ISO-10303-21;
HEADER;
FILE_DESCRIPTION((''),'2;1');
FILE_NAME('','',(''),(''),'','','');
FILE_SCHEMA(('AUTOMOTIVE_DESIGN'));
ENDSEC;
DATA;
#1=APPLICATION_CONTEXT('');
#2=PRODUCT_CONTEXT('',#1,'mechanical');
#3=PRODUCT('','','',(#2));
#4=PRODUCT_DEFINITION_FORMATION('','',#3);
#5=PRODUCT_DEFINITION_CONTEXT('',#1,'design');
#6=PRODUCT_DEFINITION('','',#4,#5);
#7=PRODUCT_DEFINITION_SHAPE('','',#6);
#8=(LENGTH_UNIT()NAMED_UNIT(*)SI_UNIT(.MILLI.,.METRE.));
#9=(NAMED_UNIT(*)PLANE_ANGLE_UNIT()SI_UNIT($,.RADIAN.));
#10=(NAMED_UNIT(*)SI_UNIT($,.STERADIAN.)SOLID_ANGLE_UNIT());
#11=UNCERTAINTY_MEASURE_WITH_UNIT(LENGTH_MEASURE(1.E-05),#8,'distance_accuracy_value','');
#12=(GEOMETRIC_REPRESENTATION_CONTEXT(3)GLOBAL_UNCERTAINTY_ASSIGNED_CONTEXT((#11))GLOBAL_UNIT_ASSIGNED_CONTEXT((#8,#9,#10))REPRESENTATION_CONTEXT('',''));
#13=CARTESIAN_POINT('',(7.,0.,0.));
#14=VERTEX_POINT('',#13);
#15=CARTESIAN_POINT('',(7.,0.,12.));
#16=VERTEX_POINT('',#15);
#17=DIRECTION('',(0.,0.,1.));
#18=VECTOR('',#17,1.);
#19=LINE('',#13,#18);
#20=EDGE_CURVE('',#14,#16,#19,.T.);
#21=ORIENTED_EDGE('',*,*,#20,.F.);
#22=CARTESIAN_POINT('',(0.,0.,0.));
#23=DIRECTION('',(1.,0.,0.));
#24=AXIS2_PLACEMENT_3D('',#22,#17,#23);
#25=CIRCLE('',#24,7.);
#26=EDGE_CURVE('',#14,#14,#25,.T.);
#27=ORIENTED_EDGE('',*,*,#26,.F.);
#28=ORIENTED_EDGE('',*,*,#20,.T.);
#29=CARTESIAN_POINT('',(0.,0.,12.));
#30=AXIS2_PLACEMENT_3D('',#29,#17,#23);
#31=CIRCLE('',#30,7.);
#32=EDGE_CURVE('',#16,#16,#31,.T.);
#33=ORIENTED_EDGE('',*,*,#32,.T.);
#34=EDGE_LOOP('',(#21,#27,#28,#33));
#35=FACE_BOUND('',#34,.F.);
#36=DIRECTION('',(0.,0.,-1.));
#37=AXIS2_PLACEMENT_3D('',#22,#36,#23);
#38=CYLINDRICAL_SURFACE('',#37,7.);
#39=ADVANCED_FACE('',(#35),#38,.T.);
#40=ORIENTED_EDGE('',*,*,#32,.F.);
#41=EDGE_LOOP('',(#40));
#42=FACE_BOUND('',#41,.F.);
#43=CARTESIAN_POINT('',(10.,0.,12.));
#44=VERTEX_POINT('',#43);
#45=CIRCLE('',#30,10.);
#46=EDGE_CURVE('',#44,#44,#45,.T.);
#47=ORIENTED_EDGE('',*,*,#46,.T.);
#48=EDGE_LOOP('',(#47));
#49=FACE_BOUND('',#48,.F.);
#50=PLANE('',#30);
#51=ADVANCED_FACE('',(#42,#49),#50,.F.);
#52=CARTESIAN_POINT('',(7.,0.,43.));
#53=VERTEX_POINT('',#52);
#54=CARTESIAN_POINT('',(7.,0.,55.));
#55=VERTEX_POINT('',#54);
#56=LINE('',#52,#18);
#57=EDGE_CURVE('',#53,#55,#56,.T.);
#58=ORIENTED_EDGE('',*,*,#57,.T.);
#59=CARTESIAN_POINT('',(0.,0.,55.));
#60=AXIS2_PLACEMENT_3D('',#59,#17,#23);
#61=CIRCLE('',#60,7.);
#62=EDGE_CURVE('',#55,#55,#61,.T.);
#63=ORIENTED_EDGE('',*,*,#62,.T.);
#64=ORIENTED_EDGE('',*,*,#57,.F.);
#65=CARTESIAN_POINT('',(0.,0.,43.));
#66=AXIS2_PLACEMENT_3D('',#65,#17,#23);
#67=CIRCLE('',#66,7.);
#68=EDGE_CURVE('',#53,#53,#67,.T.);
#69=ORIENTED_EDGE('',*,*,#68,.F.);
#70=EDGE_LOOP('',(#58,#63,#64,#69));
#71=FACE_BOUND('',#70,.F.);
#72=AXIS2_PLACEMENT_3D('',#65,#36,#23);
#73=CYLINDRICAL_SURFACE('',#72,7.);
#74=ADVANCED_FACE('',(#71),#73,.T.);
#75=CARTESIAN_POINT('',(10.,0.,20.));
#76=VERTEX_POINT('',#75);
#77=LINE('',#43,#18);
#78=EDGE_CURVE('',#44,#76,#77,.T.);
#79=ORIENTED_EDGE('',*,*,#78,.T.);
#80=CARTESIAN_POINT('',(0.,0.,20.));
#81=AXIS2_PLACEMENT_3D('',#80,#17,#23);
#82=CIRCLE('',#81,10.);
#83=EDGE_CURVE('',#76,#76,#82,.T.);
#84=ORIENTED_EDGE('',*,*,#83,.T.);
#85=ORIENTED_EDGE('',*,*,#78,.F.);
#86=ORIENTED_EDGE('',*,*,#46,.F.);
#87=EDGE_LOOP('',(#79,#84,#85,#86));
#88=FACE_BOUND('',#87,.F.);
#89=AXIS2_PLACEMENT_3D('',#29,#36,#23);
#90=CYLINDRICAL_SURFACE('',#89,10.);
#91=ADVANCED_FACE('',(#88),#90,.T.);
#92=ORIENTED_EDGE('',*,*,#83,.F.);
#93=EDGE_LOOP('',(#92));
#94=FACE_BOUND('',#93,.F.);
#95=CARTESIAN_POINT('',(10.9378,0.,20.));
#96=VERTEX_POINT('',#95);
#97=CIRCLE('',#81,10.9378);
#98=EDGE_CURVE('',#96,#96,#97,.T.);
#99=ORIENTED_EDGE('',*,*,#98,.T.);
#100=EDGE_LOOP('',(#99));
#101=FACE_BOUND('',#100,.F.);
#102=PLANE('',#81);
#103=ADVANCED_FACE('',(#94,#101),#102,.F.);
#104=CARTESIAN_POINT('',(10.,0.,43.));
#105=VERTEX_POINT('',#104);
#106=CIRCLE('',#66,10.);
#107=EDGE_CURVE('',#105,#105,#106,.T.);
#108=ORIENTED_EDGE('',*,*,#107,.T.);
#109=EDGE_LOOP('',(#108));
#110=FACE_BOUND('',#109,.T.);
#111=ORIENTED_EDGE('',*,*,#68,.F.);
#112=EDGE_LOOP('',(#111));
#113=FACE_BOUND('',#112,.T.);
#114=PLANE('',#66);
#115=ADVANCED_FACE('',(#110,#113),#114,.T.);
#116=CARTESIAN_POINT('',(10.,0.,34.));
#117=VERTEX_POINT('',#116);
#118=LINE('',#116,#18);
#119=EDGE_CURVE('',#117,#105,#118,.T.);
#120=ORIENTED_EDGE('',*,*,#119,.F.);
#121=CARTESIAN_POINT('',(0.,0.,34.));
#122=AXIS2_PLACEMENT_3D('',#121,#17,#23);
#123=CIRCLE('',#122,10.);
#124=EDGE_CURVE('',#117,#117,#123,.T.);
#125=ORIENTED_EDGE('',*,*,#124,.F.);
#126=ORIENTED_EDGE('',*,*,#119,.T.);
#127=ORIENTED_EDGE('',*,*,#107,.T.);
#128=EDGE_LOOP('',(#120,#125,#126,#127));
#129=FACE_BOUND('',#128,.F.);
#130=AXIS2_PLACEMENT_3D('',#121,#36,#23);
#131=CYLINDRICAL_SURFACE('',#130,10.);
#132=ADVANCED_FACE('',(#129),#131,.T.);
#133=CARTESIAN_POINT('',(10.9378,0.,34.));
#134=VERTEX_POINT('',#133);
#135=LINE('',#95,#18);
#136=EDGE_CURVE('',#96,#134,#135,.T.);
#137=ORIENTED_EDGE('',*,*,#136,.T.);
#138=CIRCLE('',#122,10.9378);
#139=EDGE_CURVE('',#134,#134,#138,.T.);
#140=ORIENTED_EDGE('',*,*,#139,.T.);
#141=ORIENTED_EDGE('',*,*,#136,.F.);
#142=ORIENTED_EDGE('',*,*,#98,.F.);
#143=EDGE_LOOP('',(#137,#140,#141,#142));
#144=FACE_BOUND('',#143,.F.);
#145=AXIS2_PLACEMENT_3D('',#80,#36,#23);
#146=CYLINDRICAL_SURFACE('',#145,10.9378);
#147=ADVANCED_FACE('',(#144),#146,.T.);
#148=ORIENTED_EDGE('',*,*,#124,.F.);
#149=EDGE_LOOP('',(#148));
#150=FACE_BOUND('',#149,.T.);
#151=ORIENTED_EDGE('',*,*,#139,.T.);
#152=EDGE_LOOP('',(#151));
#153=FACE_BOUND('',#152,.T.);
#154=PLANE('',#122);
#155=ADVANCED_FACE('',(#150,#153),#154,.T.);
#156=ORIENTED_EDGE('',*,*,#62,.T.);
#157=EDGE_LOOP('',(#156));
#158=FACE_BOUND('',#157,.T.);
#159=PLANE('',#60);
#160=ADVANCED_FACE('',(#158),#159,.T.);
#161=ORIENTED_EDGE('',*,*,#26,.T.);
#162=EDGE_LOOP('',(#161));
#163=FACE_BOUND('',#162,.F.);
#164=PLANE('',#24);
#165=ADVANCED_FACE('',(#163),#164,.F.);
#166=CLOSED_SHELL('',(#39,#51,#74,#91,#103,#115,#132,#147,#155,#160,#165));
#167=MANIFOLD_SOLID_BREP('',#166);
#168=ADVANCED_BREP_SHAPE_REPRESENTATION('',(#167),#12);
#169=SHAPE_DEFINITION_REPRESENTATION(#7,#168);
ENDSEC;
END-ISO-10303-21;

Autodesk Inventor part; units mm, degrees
ref_plane "YZ Plane" through (0, 0, 0) normal (1, 0, 0) x (0, 1, 0)
ref_plane "XZ Plane" through (0, 0, 0) normal (0, 1, 0) x (-1, 0, 0)
ref_plane "XY Plane" through (0, 0, 0) normal (0, 0, 1) x (1, 0, 0)
sketch "Sketch1" plane through (0, 0, 0) normal (0, 0, 1) x (1, 0, 0)
  circle A0 centre (0, 0) radius 7
  dimension "d0" = 14
extrude "Extrusion1" add sketch "Sketch1" along normal blind 12
sketch "Sketch2" plane through (0, 0, 12) normal (0, 0, 1) x (1, 0, 0)
  circle A0 centre (0, 0) radius 10
  dimension "d3" = 20
extrude "Extrusion2" add sketch "Sketch2" along normal blind 8
sketch "Sketch3" plane through (0, 0, 20) normal (0, 0, 1) x (1, 0, 0)
  circle A0 centre (0, 0) radius 10.9378
extrude "Extrusion3" add sketch "Sketch3" along normal blind 14
sketch "Sketch4" plane through (0, 0, 34) normal (0, 0, 1) x (1, 0, 0)
  circle A0 centre (0, 0) radius 10
extrude "Extrusion4" add sketch "Sketch4" along normal blind 9
sketch "Sketch5" plane through (0, 0, 43) normal (0, 0, 1) x (1, 0, 0)
  circle A0 centre (0, 0) radius 7
  dimension "d10" = 14
extrude "Extrusion5" add sketch "Sketch5" along normal blind 12
properties part number "eje escalonado"
